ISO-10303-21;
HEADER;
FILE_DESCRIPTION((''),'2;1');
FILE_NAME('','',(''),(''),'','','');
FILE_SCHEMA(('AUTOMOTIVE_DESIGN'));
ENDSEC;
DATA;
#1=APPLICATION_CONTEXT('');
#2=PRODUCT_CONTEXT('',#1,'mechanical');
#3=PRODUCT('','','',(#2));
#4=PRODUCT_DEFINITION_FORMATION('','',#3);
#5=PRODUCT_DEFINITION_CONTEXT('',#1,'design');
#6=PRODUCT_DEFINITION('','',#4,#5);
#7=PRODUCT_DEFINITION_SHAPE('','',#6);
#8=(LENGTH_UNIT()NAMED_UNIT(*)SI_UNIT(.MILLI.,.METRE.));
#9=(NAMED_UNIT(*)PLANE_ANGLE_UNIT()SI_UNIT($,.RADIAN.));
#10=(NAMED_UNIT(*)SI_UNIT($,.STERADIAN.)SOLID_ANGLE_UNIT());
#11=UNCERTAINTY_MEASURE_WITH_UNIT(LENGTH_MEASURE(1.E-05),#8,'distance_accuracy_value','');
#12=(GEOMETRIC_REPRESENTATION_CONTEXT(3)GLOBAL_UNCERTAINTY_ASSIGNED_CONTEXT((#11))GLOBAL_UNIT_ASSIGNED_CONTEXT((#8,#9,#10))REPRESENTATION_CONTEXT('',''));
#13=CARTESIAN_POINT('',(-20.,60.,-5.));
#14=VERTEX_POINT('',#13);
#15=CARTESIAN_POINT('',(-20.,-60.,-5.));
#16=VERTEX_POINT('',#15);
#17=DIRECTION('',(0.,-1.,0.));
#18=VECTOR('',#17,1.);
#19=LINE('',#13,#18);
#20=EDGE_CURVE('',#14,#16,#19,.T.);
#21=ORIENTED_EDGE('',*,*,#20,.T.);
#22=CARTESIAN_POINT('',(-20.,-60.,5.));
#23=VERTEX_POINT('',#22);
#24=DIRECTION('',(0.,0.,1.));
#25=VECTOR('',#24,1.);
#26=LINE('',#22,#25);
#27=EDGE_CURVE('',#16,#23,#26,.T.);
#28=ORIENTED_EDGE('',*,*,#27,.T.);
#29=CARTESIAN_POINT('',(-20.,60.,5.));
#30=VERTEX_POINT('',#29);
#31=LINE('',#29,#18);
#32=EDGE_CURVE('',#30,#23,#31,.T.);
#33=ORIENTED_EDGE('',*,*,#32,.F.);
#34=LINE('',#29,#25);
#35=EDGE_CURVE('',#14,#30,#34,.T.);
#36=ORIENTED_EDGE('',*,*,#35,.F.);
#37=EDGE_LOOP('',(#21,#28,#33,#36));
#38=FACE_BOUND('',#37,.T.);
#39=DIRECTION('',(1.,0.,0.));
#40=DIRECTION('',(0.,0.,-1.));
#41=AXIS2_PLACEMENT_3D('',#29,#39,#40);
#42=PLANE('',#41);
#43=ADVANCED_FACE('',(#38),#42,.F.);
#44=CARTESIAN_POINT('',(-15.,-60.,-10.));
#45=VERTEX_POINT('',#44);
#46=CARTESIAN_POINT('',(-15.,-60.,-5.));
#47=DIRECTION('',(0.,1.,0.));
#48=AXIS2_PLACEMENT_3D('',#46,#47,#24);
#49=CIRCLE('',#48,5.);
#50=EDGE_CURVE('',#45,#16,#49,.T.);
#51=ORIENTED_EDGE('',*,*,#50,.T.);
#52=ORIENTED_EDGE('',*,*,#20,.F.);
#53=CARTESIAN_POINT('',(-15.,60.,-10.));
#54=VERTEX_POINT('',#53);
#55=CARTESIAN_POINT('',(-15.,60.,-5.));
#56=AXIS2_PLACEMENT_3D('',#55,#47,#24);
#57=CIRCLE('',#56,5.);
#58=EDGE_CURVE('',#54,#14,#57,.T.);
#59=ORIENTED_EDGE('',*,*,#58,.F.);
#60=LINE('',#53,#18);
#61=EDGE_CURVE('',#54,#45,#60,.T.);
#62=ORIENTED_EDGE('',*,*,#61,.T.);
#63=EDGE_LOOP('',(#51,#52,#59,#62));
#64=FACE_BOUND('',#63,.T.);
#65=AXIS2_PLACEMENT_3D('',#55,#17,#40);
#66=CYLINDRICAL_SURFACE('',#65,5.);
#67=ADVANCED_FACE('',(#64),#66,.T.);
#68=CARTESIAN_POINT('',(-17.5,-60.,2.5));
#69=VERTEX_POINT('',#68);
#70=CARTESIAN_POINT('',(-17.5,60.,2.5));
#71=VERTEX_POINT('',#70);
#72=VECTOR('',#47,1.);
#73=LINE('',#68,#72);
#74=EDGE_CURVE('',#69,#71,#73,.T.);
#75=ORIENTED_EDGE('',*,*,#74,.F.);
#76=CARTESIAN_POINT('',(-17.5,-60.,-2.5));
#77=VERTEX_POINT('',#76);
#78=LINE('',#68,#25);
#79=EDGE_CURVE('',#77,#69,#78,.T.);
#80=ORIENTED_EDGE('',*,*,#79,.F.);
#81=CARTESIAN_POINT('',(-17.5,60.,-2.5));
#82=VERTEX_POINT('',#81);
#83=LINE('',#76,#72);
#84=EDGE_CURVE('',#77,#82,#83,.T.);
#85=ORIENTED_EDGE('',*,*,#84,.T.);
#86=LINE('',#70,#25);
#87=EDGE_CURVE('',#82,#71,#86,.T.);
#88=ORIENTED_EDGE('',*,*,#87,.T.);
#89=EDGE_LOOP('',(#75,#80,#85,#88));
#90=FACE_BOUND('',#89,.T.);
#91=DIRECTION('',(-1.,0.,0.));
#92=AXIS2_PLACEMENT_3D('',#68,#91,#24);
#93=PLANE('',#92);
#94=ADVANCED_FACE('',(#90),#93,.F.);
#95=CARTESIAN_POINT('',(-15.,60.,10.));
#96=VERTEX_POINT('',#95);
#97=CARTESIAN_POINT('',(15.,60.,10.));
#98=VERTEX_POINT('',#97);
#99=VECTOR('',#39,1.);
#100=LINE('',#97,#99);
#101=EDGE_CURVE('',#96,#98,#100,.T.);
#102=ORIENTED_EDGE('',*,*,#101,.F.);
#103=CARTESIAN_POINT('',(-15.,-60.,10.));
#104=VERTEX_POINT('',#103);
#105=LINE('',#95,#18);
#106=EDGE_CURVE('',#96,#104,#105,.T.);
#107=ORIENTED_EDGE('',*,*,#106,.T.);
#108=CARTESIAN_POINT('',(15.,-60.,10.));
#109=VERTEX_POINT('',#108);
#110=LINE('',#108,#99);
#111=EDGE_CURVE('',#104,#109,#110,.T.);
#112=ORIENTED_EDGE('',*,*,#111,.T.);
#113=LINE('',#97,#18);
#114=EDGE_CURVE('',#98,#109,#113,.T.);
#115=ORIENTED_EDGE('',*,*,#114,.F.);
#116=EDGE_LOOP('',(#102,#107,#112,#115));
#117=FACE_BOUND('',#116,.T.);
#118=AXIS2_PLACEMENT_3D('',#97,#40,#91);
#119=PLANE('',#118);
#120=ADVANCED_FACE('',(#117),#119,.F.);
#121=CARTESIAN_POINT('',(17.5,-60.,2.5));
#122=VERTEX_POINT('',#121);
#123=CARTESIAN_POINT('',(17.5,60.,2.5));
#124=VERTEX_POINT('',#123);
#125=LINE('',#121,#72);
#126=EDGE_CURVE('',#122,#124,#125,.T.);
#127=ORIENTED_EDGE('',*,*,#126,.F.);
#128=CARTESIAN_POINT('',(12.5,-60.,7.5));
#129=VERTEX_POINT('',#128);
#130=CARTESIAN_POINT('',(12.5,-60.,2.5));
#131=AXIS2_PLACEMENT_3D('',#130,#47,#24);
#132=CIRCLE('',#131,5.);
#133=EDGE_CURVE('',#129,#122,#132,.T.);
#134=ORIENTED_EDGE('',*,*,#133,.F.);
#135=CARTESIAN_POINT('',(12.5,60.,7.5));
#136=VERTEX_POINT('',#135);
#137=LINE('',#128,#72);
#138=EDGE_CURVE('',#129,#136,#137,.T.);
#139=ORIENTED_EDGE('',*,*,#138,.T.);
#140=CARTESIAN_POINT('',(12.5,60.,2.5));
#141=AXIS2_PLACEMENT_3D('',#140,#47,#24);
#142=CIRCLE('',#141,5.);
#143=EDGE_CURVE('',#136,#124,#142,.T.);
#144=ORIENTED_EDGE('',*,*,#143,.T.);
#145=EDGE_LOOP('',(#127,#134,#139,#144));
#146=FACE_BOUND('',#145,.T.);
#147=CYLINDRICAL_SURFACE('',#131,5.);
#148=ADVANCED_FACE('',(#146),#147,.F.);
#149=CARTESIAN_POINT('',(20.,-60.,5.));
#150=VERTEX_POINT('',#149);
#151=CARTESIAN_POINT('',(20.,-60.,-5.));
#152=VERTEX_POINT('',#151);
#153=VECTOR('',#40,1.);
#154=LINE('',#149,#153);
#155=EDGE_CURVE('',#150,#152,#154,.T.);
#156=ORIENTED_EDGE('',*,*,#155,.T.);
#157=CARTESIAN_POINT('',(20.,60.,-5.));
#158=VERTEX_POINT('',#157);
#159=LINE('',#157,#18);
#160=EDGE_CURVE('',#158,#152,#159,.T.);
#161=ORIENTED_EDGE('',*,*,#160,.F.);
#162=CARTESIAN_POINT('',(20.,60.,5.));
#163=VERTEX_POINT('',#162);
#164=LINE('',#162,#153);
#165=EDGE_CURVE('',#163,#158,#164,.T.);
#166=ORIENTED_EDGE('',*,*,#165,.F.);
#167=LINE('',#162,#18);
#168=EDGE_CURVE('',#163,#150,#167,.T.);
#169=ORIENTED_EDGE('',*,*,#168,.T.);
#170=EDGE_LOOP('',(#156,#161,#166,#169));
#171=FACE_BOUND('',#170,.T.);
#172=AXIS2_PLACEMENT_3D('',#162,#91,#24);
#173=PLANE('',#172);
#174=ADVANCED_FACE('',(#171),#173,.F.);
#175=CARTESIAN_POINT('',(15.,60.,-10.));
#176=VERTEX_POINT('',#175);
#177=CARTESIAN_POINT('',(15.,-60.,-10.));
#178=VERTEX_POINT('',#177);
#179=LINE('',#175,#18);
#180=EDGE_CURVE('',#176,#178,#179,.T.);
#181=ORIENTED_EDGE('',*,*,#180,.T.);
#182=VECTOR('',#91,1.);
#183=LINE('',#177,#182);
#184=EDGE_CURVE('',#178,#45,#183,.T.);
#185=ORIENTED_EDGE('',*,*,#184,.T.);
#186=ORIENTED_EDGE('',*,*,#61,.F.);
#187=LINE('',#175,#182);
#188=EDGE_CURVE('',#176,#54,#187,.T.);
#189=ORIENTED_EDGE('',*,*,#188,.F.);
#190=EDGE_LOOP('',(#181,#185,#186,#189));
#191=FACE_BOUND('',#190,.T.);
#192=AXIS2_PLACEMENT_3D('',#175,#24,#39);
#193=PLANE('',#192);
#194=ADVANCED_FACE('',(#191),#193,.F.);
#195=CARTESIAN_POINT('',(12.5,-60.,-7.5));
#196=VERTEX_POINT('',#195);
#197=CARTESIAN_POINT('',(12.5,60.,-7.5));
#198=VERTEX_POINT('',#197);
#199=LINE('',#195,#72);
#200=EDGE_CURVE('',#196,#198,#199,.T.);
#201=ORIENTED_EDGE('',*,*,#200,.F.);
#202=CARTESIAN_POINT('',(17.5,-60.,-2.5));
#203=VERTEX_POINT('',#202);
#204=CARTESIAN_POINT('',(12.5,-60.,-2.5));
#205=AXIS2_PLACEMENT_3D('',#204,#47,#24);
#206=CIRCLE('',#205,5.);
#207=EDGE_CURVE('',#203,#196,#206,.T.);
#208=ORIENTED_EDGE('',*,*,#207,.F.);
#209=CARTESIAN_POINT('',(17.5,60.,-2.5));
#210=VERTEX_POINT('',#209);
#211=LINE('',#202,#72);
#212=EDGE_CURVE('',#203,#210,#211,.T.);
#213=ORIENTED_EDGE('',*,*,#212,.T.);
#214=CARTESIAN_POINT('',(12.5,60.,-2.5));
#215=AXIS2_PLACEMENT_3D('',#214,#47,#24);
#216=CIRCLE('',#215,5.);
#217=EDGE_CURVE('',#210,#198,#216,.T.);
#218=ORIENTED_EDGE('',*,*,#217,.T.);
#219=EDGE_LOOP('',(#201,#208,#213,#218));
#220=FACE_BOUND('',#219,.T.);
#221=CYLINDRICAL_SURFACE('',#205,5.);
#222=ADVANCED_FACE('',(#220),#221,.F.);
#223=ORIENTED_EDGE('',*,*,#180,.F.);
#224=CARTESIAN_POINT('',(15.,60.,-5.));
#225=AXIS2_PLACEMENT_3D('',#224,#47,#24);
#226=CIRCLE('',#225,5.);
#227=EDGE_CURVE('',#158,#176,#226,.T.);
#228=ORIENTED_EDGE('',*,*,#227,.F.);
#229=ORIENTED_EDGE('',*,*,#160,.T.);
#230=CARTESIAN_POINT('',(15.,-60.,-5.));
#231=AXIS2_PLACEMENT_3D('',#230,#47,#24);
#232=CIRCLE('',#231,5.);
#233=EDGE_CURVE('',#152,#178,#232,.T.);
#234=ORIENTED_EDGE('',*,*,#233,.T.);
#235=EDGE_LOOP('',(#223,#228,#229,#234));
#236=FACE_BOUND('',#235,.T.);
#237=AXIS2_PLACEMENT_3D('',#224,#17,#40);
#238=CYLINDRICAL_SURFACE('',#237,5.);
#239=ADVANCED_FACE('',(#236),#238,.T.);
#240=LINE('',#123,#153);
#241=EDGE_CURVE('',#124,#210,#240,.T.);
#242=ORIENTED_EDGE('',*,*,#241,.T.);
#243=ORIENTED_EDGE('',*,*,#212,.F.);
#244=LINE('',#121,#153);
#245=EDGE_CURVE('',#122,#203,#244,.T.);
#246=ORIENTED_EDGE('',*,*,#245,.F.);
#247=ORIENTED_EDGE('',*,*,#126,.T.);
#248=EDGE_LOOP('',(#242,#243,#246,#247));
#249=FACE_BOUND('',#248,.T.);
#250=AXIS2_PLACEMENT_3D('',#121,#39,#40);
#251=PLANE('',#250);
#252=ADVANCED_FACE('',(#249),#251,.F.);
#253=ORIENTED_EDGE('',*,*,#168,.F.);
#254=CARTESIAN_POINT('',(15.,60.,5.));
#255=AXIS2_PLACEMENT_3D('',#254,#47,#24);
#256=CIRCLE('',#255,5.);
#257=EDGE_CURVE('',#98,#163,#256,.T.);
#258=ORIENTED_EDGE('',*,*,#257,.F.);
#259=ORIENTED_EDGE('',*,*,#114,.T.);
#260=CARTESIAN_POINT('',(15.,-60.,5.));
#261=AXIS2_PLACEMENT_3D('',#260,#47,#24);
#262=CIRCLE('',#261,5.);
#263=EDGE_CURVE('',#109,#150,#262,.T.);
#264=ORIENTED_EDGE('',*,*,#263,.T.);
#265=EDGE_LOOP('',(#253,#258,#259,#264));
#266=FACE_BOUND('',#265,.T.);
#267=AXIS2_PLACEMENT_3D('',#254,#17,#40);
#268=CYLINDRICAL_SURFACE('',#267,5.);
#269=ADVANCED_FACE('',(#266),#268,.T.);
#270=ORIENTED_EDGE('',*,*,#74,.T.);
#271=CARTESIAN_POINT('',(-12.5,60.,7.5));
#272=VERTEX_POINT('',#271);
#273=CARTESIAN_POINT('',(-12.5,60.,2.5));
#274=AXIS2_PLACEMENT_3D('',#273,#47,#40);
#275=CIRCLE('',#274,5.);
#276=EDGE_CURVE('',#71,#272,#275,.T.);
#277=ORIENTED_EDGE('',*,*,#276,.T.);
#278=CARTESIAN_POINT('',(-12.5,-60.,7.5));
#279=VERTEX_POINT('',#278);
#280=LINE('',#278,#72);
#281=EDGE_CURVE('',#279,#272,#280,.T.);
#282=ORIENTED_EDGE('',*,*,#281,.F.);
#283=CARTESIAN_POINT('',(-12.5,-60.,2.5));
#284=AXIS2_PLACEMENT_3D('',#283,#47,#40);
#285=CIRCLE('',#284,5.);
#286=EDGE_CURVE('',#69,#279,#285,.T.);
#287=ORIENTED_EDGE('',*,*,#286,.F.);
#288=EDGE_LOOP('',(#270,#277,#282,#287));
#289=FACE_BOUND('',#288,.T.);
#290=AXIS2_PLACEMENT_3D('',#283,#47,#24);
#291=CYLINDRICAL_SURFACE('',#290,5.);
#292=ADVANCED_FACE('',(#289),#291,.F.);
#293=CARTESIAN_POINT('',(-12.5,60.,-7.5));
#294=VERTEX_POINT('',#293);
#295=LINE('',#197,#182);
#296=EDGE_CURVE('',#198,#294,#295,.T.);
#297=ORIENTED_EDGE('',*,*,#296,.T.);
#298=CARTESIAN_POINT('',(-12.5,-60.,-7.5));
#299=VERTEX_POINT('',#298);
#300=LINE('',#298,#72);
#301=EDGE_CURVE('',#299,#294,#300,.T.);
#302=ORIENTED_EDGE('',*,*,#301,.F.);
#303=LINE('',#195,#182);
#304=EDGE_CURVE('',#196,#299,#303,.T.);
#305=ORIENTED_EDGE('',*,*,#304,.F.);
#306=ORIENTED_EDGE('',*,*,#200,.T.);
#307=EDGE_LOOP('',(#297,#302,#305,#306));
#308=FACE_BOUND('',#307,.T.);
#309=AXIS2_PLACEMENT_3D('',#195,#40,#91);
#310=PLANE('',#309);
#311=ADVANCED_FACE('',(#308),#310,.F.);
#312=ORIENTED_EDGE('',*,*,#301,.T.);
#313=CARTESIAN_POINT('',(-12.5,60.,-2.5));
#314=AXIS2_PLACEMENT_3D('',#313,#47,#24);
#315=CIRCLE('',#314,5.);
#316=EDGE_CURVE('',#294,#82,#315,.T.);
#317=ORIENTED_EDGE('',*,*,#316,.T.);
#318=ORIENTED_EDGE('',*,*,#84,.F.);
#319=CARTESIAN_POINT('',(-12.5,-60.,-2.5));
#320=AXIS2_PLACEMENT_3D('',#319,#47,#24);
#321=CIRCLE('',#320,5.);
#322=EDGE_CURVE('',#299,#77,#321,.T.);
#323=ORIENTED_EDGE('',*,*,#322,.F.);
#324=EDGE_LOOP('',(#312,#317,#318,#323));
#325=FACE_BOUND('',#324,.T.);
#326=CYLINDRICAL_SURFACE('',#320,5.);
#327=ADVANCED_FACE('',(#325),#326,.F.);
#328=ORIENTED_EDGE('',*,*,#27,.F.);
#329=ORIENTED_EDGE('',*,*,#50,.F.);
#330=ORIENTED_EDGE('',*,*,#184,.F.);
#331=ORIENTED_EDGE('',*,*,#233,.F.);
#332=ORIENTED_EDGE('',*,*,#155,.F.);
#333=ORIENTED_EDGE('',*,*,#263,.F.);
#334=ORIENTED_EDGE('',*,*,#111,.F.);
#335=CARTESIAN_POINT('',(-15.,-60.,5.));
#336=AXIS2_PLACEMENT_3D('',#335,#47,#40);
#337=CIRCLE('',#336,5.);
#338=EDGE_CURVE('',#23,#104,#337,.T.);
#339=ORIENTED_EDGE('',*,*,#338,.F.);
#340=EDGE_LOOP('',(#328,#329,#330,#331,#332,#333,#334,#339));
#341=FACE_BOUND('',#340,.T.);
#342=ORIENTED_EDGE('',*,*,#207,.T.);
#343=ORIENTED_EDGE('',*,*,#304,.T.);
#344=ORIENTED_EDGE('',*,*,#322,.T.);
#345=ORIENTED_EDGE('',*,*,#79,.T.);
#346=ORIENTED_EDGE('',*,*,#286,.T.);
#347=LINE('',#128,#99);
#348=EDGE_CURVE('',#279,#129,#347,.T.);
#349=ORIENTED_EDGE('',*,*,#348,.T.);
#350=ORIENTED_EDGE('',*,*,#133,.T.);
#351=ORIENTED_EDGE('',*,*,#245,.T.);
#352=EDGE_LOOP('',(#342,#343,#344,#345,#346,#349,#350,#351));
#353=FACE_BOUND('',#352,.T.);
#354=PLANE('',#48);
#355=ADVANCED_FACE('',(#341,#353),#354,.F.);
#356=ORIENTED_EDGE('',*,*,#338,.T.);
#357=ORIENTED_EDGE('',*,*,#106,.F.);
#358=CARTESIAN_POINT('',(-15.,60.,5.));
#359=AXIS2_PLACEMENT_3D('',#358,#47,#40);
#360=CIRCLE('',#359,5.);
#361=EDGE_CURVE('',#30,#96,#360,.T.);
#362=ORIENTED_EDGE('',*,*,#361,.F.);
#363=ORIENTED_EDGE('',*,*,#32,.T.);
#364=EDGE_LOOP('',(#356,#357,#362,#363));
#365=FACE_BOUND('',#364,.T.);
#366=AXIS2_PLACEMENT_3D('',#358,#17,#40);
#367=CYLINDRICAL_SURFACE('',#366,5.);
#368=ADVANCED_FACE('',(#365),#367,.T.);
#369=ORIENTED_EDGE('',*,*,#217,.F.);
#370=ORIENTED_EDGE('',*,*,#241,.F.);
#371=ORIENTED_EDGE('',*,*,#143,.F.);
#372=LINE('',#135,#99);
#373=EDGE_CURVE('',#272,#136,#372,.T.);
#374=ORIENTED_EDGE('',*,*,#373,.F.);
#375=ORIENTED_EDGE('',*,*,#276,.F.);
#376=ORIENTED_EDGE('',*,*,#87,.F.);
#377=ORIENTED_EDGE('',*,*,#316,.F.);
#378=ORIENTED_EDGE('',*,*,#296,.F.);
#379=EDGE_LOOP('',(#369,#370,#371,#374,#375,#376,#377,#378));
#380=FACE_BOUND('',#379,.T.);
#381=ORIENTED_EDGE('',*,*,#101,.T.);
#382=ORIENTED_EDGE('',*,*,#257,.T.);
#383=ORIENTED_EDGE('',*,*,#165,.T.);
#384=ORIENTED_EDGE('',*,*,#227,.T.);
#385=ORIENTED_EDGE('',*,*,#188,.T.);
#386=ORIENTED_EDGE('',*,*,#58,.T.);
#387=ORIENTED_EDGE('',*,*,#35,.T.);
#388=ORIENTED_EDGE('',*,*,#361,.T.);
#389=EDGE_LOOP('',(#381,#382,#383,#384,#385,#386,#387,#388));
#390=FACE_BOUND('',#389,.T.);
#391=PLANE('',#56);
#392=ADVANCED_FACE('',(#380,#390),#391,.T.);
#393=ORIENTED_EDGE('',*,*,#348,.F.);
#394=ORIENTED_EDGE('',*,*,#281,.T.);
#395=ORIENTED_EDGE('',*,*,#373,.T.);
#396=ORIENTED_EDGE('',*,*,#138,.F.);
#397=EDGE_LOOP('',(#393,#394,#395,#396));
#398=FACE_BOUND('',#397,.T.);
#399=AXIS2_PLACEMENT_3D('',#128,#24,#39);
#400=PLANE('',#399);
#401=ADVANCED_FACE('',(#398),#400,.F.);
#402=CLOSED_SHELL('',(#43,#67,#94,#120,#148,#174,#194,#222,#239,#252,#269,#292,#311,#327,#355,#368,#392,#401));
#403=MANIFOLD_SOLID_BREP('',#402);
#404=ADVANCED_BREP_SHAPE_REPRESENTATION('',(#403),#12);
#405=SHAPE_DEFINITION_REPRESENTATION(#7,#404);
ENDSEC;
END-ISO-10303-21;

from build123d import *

# Parameters (mm, degrees)
BOSS_EXTRUDE2_DEPTH = 60
CUT_EXTRUDE2_DEPTH  = 123.065556157


with BuildPart() as part:
    # Sketch1 → Boss-Extrude2 (new, symmetric)
    with BuildSketch(Plane(origin=(0, 0, 0), x_dir=(1, 0, 0), z_dir=(0, 1, 0))):
        with BuildLine():
            Line((15, -10), (-15, -10))
            ThreePointArc((-15, -10), (-18.535533906, -8.535533906), (-20, -5))
            Line((-20, -5), (-20, 5))
            ThreePointArc((-20, 5), (-18.535533906, 8.535533906), (-15, 10))
            Line((-15, 10), (15, 10))
            ThreePointArc((15, 10), (18.535533906, 8.535533906), (20, 5))
            Line((20, 5), (20, -5))
            ThreePointArc((20, -5), (18.535533906, -8.535533906), (15, -10))
        make_face()
    extrude(amount=BOSS_EXTRUDE2_DEPTH, both=True)

    # Sketch3 → Cut-Extrude2 (cut, through all)
    with BuildSketch(Plane(origin=(0, 60, 0), x_dir=(1, 0, 0), z_dir=(0, 1, 0))):
        with BuildLine():
            Line((12.5, -7.5), (-12.5, -7.5))
            ThreePointArc((-12.5, -7.5), (-16.035533906, -6.035533906), (-17.5, -2.5))
            Line((-17.5, -2.5), (-17.5, 2.5))
            ThreePointArc((-17.5, 2.5), (-16.035533906, 6.035533906), (-12.5, 7.5))
            Line((-12.5, 7.5), (12.5, 7.5))
            ThreePointArc((12.5, 7.5), (16.035533906, 6.035533906), (17.5, 2.5))
            Line((17.5, 2.5), (17.5, -2.5))
            ThreePointArc((17.5, -2.5), (16.035533906, -6.035533906), (12.5, -7.5))
        make_face()
    extrude(amount=-CUT_EXTRUDE2_DEPTH, mode=Mode.SUBTRACT)


solid = part.part
